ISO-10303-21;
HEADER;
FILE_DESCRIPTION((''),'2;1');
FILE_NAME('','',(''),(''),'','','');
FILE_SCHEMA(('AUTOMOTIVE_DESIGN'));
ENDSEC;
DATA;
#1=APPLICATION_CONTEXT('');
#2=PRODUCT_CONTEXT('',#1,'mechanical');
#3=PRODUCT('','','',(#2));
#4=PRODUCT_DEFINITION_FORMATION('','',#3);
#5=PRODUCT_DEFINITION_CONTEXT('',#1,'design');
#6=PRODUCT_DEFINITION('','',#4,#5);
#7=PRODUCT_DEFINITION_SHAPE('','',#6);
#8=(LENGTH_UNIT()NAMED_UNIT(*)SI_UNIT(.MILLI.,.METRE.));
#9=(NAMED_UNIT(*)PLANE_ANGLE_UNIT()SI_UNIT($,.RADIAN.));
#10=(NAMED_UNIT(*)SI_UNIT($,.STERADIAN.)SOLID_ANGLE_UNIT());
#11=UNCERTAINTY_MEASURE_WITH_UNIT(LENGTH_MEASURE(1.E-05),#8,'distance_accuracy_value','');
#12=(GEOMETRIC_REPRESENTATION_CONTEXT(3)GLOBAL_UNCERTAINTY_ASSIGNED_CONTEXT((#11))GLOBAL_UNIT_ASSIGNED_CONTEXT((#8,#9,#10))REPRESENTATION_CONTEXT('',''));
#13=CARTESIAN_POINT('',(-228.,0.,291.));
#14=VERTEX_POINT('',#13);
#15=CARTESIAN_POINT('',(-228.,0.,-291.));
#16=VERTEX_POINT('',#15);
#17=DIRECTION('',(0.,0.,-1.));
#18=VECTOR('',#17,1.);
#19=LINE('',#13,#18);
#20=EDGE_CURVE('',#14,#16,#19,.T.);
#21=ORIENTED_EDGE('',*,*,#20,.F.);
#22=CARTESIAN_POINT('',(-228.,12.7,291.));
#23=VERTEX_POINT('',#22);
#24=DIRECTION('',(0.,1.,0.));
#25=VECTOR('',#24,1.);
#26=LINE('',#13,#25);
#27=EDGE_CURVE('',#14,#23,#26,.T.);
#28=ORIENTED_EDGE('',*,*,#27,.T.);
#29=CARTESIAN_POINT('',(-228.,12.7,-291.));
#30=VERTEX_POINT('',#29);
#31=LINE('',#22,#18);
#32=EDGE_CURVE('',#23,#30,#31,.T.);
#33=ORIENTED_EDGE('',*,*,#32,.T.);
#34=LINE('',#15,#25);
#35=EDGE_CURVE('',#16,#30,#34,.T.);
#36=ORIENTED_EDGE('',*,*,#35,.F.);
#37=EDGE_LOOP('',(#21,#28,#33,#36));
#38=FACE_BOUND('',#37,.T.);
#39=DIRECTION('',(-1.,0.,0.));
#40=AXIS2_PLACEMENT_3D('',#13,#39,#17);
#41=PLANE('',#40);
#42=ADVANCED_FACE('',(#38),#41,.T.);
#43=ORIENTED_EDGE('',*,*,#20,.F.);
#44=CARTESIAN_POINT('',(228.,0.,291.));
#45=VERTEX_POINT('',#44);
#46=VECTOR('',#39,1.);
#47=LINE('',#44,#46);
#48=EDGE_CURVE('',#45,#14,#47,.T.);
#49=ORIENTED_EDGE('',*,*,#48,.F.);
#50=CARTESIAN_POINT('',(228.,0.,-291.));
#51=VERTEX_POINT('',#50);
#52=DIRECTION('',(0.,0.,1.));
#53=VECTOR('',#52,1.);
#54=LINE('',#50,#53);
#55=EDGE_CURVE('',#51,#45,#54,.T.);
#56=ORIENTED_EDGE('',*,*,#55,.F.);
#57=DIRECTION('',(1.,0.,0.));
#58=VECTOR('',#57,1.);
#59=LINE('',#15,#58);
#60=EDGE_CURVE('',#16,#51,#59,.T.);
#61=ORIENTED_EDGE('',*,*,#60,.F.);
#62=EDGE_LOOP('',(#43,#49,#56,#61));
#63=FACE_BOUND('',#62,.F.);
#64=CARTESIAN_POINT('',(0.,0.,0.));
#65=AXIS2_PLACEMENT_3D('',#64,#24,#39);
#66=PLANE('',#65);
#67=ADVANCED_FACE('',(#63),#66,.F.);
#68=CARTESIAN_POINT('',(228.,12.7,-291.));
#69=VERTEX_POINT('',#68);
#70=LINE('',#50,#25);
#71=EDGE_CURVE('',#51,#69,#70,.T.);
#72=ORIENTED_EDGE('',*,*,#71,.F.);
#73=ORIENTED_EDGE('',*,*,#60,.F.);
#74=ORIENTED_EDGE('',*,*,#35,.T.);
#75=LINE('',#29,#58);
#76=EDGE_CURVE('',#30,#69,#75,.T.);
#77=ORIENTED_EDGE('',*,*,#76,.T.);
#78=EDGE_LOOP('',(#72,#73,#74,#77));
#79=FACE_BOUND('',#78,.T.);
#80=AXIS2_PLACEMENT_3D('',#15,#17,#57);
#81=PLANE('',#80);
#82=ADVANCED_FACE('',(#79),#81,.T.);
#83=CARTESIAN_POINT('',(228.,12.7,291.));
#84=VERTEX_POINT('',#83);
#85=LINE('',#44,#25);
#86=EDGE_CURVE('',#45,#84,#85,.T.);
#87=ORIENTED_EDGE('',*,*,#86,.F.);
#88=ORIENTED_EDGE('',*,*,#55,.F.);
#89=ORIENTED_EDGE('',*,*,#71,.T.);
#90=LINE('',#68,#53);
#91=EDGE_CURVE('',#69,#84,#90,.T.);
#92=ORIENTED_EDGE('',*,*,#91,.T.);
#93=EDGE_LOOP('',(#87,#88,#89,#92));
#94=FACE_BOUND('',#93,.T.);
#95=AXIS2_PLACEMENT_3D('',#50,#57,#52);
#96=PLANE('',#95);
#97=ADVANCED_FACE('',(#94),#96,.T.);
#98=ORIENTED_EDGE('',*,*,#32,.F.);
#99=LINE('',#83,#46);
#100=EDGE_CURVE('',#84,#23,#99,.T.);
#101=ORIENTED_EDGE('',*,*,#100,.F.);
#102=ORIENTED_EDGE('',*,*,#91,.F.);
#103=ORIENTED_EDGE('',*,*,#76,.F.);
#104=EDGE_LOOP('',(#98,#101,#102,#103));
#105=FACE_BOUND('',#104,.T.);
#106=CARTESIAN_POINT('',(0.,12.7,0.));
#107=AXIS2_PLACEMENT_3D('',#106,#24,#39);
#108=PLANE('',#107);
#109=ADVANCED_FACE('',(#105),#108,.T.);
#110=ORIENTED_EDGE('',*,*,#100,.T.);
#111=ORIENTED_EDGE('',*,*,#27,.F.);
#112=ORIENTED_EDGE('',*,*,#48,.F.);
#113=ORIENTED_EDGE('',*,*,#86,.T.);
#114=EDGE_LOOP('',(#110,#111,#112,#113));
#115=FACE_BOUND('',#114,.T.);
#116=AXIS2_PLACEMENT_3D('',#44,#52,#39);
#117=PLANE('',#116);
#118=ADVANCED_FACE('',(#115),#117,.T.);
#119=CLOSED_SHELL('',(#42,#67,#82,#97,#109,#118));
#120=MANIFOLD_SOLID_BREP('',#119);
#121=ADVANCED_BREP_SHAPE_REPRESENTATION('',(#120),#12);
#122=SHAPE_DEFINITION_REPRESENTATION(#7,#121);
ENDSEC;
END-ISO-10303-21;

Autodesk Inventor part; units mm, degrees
ref_plane "YZ Plane" through (0, 0, 0) normal (1, 0, 0) x (0, 1, 0)
ref_plane "XZ Plane" through (0, 0, 0) normal (0, 1, 0) x (-1, 0, 0)
ref_plane "XY Plane" through (0, 0, 0) normal (0, 0, 1) x (1, 0, 0)
sketch "Sketch1" plane through (0, 0, 0) normal (0, 1, 0) x (-1, 0, 0)
  line L0 (-228, 291) -> (228, 291)
  line L1 (228, 291) -> (228, -291)
  line L2 (228, -291) -> (-228, -291)
  line L3 (-228, -291) -> (-228, 291)
  line L4 (-228, 291) -> (228, -291) construction
  line L5 (228, 291) -> (-228, -291) construction
  point P0 (0, 0)
  dimension "d0" = 582
  dimension "d1" = 456
extrude "Extrusion1" add sketch "Sketch1" along normal blind 12.7
properties part number "Back Insulation 0p5in" material "Thermoplastic Resin"
